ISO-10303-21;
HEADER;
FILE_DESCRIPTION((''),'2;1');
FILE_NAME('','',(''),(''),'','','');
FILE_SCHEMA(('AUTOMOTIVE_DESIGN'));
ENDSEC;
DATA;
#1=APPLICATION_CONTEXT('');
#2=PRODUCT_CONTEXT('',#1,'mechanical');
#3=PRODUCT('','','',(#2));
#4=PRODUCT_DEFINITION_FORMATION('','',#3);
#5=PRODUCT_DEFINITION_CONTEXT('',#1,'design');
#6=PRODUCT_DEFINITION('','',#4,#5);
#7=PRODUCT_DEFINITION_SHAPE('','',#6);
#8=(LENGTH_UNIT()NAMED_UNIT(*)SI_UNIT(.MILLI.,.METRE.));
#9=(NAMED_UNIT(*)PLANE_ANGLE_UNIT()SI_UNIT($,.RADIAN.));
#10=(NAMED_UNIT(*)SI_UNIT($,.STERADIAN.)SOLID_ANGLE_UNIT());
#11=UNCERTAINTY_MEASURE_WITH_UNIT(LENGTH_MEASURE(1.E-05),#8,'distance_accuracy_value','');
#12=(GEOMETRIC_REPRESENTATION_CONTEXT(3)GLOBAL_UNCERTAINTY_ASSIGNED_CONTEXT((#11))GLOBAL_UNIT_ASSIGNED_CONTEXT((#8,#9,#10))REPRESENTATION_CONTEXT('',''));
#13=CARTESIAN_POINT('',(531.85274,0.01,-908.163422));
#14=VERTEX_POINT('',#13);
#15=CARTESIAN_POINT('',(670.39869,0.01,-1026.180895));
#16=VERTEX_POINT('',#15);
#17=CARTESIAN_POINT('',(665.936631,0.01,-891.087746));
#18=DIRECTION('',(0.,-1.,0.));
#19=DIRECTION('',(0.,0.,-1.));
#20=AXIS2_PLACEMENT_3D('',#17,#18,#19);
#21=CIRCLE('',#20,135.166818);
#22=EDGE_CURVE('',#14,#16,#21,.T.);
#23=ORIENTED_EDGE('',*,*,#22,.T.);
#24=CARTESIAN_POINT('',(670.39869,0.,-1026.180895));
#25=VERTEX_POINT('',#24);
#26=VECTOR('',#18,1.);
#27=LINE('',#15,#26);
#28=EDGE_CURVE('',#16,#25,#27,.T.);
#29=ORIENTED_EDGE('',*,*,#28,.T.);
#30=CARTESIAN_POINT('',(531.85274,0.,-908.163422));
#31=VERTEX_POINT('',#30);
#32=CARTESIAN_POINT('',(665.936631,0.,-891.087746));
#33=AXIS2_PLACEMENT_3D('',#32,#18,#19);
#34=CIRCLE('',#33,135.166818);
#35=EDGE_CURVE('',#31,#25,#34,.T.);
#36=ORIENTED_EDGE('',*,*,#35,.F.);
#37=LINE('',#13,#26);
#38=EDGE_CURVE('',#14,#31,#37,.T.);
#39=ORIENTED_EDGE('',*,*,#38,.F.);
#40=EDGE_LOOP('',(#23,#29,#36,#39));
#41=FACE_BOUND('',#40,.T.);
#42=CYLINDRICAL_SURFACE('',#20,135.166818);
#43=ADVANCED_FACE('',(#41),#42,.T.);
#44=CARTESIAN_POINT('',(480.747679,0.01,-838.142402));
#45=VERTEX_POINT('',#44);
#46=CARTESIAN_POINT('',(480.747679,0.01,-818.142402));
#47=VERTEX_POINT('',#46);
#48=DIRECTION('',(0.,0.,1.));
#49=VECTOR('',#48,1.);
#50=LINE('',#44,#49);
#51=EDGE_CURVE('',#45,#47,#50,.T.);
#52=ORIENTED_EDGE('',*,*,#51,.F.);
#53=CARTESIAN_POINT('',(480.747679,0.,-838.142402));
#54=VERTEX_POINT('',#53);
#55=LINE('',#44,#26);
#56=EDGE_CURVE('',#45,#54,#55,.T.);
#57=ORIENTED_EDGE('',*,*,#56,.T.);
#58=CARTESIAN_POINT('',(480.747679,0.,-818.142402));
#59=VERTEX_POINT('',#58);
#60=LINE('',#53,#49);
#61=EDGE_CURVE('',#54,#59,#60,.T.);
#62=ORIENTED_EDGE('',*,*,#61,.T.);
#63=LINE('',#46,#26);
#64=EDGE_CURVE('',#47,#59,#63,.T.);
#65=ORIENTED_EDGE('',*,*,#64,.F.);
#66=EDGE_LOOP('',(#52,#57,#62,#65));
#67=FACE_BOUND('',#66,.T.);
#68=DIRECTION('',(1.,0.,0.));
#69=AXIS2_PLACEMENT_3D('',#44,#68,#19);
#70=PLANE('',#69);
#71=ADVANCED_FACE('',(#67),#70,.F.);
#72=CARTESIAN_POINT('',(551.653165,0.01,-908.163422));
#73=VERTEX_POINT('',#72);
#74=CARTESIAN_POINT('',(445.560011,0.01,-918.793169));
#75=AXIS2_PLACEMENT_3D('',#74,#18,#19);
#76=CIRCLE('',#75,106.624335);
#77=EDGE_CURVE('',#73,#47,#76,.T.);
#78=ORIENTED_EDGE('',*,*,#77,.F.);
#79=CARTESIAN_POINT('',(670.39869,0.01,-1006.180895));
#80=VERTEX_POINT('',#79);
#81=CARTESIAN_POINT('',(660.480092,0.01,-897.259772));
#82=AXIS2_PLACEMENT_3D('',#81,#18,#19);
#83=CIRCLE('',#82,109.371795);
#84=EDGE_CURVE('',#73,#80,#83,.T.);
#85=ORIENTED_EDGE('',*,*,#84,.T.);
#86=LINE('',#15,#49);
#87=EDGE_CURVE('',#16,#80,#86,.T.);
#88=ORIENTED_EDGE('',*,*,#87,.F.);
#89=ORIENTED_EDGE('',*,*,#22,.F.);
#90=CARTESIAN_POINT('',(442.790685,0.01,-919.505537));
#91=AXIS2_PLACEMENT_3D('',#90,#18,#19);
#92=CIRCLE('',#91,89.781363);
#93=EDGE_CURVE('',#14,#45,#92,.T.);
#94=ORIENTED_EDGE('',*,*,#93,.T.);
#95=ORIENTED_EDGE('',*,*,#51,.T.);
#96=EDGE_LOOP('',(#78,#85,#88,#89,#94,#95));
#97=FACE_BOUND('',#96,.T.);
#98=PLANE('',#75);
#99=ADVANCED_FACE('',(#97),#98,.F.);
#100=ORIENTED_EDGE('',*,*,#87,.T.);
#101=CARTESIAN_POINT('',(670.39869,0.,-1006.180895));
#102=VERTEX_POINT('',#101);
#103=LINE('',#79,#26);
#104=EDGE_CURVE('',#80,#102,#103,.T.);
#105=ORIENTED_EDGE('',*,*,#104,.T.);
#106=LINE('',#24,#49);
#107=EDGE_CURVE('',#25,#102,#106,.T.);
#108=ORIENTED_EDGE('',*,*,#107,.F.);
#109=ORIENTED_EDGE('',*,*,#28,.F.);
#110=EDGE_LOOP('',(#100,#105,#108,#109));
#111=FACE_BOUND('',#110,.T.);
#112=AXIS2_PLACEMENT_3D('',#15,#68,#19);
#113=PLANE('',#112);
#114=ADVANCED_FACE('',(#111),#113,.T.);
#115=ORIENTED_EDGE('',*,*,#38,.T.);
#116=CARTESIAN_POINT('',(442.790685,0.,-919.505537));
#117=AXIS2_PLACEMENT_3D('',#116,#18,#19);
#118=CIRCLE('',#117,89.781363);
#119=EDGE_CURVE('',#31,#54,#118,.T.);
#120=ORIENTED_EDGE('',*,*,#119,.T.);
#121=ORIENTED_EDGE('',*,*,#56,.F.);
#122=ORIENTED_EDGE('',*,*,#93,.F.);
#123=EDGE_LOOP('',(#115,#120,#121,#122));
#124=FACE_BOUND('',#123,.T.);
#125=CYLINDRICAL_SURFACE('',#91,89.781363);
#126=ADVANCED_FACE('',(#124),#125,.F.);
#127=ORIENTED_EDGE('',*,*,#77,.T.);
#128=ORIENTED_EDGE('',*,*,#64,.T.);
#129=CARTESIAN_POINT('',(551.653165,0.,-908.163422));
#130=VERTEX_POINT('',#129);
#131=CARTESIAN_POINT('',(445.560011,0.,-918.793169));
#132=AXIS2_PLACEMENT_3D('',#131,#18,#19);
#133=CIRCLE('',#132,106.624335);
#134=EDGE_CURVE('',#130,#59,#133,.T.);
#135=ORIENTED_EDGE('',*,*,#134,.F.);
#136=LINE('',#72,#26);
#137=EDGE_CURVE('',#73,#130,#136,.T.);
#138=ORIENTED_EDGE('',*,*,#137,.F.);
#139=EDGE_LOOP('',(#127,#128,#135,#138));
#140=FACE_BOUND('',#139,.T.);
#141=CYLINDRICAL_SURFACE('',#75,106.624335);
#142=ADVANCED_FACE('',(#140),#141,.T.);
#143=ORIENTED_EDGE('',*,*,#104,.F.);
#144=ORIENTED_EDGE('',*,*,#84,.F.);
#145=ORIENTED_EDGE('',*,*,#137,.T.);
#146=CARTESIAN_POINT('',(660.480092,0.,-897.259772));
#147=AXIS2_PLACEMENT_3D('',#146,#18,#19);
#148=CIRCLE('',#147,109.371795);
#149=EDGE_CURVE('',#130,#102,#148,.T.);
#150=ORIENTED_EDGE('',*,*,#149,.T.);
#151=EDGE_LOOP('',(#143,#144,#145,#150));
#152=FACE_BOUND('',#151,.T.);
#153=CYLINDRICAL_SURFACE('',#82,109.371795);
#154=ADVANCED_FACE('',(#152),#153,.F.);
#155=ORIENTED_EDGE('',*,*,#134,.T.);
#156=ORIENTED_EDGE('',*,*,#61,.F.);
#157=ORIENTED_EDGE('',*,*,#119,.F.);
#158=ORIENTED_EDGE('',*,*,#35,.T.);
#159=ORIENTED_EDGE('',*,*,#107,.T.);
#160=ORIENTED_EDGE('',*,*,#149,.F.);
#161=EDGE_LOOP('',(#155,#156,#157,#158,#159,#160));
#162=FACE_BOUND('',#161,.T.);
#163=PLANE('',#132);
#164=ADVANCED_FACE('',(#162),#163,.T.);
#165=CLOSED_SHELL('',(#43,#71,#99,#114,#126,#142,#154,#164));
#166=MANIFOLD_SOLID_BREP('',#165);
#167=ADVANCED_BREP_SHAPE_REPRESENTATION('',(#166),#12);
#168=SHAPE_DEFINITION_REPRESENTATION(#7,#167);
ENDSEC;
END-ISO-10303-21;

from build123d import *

# Parameters (mm, degrees)
RESSALTO_EXTRUS_O14_DEPTH = 0.01


with BuildPart() as part:
    # Esboço1 → Ressalto-extrusão14 (new body)
    with BuildSketch(Plane(origin=(0, 0, 0), x_dir=(1, 0, 0), z_dir=(0, 1, 0))):
        with BuildLine():
            Line((670.398690008, 1026.180894538), (670.398690008, 1006.180894538))
            ThreePointArc((670.398690008, 1006.180894538), (590.855594913, 981.607972814), (551.653165319, 908.163422483))
            ThreePointArc((551.653165319, 908.163422483), (529.32165926, 852.817907084), (480.747678864, 818.142401809))
            Line((480.747678864, 818.142401809), (480.747678864, 838.142401809))
            ThreePointArc((480.747678864, 838.142401809), (515.310995982, 866.576361287), (531.852739627, 908.163422483))
            ThreePointArc((531.852739627, 908.163422483), (578.286840553, 993.983727047), (670.398690008, 1026.180894538))
        make_face()
    extrude(amount=RESSALTO_EXTRUS_O14_DEPTH)


solid = part.part
